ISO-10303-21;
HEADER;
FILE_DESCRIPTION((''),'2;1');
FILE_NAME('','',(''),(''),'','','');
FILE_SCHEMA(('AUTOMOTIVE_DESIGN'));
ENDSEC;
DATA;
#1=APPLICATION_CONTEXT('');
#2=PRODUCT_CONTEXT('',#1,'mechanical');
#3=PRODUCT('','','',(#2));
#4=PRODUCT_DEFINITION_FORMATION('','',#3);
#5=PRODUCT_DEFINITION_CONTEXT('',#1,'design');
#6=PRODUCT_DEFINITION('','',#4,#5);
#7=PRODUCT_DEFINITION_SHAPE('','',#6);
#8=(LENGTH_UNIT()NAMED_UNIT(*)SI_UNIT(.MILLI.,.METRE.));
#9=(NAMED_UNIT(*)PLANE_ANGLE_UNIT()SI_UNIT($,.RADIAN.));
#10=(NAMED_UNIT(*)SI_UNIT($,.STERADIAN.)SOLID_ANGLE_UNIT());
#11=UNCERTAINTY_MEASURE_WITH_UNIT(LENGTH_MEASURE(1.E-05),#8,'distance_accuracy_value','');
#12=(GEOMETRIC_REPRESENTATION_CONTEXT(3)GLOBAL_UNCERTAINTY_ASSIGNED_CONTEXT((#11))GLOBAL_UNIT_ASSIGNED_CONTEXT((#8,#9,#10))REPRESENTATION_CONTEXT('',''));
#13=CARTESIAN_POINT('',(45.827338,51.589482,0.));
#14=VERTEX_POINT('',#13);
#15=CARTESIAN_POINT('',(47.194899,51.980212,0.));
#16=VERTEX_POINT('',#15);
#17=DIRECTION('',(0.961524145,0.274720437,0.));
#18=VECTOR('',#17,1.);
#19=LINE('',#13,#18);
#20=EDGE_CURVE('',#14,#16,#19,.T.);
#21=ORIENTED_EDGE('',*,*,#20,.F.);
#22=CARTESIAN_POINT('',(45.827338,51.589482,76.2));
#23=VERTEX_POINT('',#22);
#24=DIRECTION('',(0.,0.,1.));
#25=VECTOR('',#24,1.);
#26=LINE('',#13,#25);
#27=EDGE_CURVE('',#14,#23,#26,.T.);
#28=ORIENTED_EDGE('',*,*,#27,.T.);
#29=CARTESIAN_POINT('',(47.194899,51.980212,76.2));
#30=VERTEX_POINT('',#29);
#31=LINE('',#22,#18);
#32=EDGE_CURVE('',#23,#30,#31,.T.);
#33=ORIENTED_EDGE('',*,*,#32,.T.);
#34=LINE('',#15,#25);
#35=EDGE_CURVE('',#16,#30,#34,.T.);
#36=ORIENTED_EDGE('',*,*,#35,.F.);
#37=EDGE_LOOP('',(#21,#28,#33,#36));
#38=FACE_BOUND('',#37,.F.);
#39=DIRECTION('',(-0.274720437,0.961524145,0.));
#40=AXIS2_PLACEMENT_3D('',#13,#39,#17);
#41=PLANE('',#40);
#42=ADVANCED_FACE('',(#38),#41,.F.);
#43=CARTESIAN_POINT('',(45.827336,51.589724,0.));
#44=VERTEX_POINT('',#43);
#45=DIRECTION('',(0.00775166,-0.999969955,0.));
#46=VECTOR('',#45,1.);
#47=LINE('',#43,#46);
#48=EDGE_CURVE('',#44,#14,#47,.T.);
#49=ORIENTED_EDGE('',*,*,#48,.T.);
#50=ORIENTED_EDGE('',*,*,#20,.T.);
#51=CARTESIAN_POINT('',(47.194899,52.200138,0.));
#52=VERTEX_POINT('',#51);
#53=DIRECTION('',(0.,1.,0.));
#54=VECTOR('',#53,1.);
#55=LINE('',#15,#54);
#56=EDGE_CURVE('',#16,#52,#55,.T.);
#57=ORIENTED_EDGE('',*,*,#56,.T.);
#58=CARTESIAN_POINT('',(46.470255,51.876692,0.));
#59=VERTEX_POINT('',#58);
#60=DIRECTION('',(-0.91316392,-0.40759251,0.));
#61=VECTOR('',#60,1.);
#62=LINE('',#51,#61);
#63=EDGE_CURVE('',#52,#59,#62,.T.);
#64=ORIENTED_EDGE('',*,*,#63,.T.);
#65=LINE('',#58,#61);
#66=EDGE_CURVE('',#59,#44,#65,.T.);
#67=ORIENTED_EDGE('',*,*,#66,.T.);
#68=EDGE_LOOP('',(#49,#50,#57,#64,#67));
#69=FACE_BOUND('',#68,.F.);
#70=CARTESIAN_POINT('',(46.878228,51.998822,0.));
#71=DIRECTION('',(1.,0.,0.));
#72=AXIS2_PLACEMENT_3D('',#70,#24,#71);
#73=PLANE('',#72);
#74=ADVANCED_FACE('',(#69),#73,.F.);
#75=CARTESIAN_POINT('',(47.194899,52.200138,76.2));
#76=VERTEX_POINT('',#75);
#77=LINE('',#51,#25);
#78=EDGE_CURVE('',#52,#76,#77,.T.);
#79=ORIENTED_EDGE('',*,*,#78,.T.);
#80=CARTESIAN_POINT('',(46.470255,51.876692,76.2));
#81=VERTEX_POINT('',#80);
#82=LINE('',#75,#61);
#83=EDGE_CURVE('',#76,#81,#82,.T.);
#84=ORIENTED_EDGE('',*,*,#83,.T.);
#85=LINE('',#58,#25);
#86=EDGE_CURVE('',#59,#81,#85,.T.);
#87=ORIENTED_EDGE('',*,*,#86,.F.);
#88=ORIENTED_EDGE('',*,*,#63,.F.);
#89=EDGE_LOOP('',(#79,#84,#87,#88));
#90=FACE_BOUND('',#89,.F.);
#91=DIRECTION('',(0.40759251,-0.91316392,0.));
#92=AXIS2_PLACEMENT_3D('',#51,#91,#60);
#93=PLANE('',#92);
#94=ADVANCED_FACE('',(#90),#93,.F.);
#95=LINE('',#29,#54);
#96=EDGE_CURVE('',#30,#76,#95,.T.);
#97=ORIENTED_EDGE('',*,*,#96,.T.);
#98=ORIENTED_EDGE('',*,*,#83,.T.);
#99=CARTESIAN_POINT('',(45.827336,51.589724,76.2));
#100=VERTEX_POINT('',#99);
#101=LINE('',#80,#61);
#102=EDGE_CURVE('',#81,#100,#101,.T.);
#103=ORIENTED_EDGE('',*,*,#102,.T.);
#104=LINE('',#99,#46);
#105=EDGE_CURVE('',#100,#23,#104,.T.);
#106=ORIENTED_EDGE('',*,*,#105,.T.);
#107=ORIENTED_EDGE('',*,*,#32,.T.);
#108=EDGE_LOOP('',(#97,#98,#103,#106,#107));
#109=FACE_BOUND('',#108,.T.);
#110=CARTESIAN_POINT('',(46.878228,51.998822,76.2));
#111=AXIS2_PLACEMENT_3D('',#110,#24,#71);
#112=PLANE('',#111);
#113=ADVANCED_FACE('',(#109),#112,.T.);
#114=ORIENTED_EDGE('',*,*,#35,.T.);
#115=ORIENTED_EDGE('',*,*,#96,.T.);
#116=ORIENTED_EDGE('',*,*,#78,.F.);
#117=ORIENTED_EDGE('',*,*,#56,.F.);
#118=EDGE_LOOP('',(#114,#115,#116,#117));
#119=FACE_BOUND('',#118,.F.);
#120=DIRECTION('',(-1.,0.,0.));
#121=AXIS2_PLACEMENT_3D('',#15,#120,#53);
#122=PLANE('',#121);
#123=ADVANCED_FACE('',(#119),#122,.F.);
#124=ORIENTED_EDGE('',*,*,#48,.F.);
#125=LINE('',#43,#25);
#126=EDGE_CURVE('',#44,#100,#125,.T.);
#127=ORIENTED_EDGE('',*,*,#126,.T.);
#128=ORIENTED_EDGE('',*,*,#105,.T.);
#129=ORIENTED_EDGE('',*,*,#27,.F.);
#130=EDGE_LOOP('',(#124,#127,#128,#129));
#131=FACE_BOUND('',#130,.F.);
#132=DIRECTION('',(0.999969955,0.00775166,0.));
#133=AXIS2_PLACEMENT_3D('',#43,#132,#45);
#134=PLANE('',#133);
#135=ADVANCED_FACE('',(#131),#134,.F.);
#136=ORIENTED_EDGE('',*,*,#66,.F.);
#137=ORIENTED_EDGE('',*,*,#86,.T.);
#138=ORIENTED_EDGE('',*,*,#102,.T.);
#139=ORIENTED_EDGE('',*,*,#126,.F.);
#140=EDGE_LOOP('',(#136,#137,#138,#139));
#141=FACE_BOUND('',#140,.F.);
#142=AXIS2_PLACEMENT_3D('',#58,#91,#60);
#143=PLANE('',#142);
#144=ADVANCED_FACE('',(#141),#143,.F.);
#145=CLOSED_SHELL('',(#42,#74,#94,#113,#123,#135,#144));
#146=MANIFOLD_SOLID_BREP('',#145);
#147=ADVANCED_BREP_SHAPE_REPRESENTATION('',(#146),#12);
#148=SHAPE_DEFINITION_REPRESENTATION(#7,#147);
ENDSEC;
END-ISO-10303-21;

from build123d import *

# Parameters (mm, degrees)
F1_DEPTH = 76.2


with BuildPart() as f1:
    # F0 (on Top) → F1 (new body)
    with BuildSketch(Plane.XY):
        Polygon((47.1948987424, 51.9802123308), (47.1948987424, 52.2001382632), (46.470254911, 51.8766920652), align=None)
        Polygon((45.827337538, 51.5894816213), (47.1948987424, 51.9802123308), (46.470254911, 51.8766920652), (45.8273356607, 51.5897237944), align=None)
    extrude(amount=F1_DEPTH)


solid = f1.part
